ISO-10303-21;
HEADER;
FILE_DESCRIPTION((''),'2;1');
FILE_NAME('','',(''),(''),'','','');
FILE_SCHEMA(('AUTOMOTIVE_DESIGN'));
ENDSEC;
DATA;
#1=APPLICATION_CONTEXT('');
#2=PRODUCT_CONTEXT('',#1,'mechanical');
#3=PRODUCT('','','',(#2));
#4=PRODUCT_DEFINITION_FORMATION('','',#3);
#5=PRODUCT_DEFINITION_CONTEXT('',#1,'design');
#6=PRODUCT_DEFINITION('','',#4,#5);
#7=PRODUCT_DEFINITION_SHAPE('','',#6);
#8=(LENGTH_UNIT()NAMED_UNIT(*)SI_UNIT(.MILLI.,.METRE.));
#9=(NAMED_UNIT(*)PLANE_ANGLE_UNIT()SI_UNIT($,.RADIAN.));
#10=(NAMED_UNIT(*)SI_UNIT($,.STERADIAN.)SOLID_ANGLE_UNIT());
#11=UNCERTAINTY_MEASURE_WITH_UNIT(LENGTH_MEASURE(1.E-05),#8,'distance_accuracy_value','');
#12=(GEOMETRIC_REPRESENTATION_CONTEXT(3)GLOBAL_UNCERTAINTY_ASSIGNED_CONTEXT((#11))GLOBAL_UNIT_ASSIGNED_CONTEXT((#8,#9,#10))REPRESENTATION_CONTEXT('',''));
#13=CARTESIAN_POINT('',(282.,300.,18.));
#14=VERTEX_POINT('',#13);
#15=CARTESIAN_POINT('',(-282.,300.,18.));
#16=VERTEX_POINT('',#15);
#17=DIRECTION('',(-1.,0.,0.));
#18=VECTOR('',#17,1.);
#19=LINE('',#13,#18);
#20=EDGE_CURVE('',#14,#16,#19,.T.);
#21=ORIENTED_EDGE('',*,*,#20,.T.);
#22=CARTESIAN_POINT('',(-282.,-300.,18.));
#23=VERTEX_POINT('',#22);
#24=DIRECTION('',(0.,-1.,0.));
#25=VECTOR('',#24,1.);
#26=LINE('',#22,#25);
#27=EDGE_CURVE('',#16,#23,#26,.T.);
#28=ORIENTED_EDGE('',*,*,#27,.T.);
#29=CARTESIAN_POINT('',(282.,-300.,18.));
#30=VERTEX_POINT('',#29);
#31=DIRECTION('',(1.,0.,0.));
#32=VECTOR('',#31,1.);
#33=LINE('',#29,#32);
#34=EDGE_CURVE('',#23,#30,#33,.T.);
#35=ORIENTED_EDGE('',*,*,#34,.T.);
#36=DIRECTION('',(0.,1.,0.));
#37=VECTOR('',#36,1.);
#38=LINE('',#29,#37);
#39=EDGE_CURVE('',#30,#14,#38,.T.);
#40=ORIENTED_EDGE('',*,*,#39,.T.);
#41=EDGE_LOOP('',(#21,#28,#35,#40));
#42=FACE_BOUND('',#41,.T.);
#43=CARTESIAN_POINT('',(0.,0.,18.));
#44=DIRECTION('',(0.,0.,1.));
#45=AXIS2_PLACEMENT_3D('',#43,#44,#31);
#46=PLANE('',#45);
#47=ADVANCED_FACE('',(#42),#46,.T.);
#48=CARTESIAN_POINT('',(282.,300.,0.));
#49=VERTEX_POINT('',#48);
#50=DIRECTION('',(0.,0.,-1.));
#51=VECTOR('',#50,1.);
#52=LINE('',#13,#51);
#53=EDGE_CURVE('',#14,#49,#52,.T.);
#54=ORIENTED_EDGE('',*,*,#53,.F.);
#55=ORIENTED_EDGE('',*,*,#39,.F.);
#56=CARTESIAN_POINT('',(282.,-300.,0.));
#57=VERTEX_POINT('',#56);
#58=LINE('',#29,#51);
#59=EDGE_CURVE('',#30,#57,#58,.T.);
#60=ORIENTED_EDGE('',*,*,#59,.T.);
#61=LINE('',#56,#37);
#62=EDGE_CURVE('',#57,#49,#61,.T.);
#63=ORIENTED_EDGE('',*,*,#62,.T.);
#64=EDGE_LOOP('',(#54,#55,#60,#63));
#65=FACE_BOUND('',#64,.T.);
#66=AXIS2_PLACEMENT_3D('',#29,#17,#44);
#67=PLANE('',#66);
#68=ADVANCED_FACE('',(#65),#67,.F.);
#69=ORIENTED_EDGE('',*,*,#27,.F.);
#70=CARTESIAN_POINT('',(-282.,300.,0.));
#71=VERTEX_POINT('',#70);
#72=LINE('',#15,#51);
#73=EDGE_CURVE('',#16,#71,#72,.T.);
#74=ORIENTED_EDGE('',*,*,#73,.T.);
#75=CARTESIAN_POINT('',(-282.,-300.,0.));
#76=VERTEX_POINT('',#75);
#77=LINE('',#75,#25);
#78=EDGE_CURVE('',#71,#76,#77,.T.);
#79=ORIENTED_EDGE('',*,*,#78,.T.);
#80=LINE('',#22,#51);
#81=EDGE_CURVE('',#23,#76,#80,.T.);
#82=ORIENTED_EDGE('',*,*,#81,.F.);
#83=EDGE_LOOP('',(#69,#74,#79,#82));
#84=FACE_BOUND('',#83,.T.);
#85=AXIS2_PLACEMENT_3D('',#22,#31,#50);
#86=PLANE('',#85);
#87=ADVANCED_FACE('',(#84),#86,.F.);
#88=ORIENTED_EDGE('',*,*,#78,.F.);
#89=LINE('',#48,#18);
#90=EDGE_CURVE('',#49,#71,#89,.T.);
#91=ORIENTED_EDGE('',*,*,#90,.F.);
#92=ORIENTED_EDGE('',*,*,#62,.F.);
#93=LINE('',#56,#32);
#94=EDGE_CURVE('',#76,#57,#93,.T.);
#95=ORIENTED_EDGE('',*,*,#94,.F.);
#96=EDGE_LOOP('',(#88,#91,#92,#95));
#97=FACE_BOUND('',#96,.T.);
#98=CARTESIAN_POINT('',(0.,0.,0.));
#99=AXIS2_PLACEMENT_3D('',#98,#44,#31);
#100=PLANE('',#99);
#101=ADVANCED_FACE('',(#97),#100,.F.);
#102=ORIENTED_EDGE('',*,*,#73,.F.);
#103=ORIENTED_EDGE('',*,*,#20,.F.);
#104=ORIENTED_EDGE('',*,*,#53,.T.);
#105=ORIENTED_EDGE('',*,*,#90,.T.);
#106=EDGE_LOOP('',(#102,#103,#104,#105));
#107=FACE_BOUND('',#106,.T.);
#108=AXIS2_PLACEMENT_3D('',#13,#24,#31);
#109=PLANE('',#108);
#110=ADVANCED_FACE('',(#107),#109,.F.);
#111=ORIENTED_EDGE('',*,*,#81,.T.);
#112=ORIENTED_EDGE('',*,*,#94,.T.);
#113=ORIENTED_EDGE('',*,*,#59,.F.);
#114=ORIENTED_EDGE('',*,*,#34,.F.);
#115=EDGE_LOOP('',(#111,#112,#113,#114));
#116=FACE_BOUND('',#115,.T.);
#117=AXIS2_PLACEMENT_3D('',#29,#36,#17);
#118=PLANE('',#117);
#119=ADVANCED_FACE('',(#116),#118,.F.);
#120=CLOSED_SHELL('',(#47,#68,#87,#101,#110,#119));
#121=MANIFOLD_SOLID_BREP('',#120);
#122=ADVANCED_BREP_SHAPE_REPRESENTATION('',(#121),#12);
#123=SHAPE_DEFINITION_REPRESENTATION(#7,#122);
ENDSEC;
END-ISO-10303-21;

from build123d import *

# Parameters (mm, degrees)
SKETCH1_W           = 564
SKETCH1_H           = 600
BOSS_EXTRUDE1_DEPTH = 18


with BuildPart() as part:
    # Sketch1 → Boss-Extrude1 (new body)
    with BuildSketch(Plane.XY):
        Rectangle(SKETCH1_W, SKETCH1_H)
    extrude(amount=BOSS_EXTRUDE1_DEPTH)


solid = part.part
